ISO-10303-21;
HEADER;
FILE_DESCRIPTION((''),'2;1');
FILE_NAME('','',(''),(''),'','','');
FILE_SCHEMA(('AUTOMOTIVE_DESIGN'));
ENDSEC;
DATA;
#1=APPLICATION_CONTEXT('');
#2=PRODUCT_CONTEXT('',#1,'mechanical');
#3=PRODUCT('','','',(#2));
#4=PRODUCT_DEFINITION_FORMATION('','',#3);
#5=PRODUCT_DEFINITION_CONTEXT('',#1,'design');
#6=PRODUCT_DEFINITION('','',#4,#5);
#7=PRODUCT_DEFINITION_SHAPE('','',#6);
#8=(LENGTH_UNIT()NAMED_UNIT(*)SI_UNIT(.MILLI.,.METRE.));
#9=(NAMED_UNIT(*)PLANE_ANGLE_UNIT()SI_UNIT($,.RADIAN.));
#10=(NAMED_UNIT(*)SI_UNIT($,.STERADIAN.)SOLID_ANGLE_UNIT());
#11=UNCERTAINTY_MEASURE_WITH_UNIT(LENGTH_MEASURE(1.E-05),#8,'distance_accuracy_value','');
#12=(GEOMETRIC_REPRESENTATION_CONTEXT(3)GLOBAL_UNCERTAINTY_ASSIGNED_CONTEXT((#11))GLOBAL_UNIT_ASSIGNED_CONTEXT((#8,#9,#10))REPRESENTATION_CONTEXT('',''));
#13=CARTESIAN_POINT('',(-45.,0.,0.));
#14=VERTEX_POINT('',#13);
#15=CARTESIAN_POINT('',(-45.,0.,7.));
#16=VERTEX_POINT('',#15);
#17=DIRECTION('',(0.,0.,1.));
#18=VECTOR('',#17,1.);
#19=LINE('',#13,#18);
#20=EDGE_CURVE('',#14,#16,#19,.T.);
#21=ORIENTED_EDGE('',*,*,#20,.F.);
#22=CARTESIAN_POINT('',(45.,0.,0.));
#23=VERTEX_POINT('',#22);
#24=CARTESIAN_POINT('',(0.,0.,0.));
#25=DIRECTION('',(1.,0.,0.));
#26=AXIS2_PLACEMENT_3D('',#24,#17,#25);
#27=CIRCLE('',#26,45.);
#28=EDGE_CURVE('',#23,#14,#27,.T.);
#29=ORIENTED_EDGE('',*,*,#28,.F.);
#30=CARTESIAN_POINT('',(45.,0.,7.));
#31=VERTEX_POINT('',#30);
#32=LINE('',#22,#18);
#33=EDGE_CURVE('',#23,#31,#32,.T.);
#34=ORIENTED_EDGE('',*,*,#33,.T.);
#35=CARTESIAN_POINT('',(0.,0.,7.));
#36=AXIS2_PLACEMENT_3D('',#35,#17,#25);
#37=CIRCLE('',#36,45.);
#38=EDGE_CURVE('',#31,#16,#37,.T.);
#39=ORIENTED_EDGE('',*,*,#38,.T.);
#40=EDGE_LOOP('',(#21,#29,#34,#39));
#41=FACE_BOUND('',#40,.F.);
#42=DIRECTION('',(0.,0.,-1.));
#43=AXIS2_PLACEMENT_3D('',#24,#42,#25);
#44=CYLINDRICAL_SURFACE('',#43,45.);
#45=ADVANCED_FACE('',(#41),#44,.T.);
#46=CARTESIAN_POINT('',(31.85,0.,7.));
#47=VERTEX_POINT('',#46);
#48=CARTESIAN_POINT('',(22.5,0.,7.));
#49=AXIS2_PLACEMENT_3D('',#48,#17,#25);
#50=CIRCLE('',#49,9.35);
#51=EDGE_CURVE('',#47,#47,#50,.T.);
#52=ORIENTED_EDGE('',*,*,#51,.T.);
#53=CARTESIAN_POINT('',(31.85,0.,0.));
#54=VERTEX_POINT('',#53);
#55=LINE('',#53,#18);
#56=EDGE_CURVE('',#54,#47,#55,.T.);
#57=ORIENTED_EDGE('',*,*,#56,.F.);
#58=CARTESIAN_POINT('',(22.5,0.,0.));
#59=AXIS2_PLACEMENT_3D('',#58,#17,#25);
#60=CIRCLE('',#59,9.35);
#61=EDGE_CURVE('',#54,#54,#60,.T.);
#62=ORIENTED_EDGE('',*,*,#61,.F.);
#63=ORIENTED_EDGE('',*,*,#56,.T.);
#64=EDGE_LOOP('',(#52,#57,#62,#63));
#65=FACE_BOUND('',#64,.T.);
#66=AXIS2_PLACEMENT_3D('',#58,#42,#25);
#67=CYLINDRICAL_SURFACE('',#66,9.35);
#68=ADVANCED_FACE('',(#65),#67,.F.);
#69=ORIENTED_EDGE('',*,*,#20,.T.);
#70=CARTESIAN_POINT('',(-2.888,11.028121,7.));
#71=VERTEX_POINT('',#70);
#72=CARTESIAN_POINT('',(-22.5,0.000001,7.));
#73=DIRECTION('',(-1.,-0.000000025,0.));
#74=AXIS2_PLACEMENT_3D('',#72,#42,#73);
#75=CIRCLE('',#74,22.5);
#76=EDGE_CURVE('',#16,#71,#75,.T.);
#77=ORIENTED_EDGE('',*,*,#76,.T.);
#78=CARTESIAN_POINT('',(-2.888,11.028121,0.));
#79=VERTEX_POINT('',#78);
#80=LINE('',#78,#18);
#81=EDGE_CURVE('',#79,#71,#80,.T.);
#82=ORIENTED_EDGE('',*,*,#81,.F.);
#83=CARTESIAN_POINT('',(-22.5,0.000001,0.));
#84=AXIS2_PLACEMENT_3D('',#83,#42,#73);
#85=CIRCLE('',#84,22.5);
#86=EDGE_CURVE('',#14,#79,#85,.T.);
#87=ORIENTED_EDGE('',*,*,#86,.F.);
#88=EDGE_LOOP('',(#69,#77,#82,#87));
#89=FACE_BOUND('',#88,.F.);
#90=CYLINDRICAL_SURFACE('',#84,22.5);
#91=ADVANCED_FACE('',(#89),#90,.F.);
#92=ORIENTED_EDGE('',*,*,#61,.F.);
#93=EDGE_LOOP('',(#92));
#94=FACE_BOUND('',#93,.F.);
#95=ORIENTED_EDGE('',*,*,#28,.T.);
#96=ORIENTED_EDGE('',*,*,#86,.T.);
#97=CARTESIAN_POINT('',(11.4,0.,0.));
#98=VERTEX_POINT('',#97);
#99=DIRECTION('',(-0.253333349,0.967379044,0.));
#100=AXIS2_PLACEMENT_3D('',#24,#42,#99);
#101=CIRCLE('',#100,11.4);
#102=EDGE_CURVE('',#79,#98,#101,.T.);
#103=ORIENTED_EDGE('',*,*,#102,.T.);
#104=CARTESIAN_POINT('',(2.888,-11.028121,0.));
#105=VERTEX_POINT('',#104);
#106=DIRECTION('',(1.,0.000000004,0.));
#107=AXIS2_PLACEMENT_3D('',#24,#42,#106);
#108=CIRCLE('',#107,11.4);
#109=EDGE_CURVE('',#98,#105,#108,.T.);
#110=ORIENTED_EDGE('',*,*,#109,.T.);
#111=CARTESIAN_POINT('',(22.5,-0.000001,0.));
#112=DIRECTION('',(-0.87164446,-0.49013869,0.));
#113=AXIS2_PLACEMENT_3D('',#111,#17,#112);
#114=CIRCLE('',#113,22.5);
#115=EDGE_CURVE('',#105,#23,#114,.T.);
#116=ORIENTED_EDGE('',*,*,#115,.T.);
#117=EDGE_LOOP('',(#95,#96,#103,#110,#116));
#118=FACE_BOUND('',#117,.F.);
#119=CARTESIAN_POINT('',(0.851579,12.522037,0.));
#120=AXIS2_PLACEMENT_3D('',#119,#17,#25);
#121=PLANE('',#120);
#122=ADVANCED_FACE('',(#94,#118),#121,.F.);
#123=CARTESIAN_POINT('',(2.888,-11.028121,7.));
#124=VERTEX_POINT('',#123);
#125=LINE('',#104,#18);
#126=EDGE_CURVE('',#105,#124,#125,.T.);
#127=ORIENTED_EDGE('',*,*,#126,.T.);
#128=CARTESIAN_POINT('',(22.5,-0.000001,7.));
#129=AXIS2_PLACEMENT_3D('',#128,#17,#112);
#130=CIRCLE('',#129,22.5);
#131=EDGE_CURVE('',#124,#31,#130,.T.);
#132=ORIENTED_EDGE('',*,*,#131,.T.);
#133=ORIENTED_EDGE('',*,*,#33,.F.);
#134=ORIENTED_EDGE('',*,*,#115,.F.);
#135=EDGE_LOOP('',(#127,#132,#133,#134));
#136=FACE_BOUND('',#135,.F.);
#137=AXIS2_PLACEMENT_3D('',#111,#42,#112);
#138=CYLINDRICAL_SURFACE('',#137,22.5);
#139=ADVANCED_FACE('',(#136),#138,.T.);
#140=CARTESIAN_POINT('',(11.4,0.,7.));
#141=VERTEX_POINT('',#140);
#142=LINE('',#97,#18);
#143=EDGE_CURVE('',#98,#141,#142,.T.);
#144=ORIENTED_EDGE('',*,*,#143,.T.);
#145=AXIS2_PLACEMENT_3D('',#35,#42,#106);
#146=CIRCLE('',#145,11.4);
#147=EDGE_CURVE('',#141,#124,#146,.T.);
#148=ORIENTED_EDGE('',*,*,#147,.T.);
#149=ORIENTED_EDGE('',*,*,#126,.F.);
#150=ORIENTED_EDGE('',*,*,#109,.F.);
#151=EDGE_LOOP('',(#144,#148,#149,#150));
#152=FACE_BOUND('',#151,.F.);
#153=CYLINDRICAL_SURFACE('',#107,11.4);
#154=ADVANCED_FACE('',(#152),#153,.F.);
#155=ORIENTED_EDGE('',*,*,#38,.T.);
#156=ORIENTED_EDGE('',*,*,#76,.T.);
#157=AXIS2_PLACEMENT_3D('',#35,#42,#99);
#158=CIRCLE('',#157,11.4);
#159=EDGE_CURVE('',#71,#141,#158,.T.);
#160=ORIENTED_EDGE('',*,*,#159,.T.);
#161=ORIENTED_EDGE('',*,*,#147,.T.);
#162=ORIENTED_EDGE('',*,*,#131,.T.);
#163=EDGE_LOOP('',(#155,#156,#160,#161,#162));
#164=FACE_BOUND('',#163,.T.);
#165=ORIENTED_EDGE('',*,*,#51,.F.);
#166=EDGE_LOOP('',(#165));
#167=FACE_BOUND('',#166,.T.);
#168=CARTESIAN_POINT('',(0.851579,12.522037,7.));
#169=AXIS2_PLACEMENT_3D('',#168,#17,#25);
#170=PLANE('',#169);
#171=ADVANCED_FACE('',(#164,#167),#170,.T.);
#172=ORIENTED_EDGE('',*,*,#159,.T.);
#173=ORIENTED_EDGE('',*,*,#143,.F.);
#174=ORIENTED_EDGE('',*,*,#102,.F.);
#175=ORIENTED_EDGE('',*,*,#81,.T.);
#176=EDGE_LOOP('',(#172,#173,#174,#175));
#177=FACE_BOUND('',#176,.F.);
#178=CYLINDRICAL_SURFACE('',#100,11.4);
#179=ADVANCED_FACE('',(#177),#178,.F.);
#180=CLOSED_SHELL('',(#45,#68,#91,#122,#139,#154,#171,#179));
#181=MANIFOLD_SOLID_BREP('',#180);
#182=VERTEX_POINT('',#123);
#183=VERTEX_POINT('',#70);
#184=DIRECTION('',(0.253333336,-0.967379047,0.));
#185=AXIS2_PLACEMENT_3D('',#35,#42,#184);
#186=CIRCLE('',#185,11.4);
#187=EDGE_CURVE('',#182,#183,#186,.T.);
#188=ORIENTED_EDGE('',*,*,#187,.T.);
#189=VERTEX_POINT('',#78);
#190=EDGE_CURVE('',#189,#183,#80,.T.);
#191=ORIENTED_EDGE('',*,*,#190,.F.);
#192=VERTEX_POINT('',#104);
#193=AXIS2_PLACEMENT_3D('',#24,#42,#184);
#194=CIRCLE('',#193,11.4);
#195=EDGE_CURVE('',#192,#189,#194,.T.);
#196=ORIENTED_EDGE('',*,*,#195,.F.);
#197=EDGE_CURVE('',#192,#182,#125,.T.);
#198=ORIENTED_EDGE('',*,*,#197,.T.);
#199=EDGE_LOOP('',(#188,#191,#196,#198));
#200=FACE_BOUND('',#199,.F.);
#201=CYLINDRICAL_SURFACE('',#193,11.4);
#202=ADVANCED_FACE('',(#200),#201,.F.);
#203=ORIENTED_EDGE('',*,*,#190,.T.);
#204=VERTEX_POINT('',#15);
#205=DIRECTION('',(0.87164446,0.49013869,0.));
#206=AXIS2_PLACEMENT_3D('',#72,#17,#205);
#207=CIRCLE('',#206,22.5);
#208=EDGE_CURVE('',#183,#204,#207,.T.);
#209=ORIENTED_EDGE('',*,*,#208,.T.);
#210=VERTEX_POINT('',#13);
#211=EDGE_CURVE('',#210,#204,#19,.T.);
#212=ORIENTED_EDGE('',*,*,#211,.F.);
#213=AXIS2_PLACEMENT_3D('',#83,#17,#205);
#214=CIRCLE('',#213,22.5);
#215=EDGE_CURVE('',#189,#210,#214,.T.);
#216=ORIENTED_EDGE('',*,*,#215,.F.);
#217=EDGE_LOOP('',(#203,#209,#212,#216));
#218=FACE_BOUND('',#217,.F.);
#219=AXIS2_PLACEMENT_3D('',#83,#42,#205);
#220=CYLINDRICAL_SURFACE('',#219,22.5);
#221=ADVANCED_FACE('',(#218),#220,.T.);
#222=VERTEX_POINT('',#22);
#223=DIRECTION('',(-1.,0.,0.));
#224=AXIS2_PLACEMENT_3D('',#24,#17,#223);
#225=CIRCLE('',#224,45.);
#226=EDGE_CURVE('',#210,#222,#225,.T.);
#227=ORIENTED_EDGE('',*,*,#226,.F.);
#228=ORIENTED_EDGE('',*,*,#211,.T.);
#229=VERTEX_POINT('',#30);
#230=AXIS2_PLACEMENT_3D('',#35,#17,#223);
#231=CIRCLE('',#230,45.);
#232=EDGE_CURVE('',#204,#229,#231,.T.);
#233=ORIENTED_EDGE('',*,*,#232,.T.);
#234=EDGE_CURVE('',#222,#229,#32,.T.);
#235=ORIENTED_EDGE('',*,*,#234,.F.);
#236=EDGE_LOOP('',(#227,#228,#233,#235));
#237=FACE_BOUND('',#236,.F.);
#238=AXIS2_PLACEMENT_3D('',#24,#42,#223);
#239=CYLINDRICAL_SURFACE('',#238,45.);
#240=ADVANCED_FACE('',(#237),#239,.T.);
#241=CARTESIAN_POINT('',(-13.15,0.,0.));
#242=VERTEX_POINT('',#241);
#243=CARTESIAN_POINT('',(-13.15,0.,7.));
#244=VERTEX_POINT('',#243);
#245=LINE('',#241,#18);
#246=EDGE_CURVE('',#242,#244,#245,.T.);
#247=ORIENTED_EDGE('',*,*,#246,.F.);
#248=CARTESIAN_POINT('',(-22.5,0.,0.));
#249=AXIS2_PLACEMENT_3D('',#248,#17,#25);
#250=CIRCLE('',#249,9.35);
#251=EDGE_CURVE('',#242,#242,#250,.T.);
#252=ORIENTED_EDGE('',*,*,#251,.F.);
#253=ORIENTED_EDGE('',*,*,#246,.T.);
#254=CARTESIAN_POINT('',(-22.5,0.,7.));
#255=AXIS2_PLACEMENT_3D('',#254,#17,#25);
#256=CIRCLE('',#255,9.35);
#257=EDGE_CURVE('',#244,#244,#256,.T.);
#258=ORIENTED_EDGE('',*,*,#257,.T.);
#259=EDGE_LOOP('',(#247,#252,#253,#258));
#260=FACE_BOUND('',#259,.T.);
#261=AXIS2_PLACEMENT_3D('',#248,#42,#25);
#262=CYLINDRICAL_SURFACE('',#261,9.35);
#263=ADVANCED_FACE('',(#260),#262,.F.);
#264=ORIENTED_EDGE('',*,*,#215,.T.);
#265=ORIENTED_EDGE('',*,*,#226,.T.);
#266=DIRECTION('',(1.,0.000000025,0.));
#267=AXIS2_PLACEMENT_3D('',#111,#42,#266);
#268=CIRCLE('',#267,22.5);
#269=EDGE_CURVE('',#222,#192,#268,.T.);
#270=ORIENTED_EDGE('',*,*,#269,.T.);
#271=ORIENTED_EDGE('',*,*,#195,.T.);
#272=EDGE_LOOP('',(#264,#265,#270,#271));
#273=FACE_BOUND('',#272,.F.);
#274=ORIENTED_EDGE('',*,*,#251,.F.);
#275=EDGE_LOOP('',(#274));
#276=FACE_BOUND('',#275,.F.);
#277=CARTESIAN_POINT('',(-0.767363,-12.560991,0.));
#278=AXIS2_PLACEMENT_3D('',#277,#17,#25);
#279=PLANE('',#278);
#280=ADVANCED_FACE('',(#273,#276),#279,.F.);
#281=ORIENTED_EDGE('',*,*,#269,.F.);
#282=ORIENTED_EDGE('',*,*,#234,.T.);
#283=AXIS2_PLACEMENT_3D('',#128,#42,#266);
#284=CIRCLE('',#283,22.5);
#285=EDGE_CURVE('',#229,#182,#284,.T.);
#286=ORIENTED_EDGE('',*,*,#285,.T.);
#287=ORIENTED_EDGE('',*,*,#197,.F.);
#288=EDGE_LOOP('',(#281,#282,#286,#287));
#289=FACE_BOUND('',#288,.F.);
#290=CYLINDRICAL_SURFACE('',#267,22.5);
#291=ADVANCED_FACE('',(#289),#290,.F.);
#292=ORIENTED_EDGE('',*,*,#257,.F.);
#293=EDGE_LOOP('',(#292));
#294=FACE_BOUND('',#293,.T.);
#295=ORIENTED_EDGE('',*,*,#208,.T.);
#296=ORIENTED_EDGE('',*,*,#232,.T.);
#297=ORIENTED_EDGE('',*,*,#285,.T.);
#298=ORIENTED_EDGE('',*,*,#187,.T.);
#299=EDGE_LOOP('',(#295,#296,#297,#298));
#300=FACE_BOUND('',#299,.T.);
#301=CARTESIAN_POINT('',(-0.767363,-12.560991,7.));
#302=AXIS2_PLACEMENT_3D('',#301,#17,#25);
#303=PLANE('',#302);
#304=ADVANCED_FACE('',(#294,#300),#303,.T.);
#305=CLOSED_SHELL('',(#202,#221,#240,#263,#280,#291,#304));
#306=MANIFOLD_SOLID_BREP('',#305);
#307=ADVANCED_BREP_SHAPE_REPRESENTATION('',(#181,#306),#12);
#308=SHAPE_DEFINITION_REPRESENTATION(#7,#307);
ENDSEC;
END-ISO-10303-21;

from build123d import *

# Parameters (mm, degrees)
F0_R     = 9.35
F1_DEPTH = 7
F2_DEPTH = 7


with BuildPart() as f1:
    # F0 (on Top) → F1 (new body)
    with BuildSketch(Plane.XY):
        with BuildLine():
            ThreePointArc((-45, 0), (0, -45), (45, 0))
            ThreePointArc((45, 0), (28.2, -21.766029), (2.888, -11.028121))
            ThreePointArc((2.888, -11.028121), (-11.028121, -2.888), (-2.888, 11.028121))
            ThreePointArc((-2.888, 11.028121), (-28.2, 21.766029), (-45, 0))
        make_face()
        with Locations((-22.5, 0)):
            Circle(F0_R, mode=Mode.SUBTRACT)
    extrude(amount=F1_DEPTH)


with BuildPart() as f2:
    # F0 (on Top) → F2 (new body)
    with BuildSketch(Plane.XY):
        with BuildLine():
            ThreePointArc((2.888, -11.028121), (28.2, -21.766029), (45, 0))
            ThreePointArc((45, 0), (0, 45), (-45, 0))
            ThreePointArc((-45, 0), (-28.2, 21.766029), (-2.888, 11.028121))
            ThreePointArc((-2.888, 11.028121), (6.965515, 9.0245), (11.4, 0))
            ThreePointArc((11.4, 0), (9.0245, -6.965515), (2.888, -11.028121))
        make_face()
        with Locations((22.5, 0)):
            Circle(F0_R, mode=Mode.SUBTRACT)
    extrude(amount=F2_DEPTH)


solid = Compound([f1.part, f2.part])
